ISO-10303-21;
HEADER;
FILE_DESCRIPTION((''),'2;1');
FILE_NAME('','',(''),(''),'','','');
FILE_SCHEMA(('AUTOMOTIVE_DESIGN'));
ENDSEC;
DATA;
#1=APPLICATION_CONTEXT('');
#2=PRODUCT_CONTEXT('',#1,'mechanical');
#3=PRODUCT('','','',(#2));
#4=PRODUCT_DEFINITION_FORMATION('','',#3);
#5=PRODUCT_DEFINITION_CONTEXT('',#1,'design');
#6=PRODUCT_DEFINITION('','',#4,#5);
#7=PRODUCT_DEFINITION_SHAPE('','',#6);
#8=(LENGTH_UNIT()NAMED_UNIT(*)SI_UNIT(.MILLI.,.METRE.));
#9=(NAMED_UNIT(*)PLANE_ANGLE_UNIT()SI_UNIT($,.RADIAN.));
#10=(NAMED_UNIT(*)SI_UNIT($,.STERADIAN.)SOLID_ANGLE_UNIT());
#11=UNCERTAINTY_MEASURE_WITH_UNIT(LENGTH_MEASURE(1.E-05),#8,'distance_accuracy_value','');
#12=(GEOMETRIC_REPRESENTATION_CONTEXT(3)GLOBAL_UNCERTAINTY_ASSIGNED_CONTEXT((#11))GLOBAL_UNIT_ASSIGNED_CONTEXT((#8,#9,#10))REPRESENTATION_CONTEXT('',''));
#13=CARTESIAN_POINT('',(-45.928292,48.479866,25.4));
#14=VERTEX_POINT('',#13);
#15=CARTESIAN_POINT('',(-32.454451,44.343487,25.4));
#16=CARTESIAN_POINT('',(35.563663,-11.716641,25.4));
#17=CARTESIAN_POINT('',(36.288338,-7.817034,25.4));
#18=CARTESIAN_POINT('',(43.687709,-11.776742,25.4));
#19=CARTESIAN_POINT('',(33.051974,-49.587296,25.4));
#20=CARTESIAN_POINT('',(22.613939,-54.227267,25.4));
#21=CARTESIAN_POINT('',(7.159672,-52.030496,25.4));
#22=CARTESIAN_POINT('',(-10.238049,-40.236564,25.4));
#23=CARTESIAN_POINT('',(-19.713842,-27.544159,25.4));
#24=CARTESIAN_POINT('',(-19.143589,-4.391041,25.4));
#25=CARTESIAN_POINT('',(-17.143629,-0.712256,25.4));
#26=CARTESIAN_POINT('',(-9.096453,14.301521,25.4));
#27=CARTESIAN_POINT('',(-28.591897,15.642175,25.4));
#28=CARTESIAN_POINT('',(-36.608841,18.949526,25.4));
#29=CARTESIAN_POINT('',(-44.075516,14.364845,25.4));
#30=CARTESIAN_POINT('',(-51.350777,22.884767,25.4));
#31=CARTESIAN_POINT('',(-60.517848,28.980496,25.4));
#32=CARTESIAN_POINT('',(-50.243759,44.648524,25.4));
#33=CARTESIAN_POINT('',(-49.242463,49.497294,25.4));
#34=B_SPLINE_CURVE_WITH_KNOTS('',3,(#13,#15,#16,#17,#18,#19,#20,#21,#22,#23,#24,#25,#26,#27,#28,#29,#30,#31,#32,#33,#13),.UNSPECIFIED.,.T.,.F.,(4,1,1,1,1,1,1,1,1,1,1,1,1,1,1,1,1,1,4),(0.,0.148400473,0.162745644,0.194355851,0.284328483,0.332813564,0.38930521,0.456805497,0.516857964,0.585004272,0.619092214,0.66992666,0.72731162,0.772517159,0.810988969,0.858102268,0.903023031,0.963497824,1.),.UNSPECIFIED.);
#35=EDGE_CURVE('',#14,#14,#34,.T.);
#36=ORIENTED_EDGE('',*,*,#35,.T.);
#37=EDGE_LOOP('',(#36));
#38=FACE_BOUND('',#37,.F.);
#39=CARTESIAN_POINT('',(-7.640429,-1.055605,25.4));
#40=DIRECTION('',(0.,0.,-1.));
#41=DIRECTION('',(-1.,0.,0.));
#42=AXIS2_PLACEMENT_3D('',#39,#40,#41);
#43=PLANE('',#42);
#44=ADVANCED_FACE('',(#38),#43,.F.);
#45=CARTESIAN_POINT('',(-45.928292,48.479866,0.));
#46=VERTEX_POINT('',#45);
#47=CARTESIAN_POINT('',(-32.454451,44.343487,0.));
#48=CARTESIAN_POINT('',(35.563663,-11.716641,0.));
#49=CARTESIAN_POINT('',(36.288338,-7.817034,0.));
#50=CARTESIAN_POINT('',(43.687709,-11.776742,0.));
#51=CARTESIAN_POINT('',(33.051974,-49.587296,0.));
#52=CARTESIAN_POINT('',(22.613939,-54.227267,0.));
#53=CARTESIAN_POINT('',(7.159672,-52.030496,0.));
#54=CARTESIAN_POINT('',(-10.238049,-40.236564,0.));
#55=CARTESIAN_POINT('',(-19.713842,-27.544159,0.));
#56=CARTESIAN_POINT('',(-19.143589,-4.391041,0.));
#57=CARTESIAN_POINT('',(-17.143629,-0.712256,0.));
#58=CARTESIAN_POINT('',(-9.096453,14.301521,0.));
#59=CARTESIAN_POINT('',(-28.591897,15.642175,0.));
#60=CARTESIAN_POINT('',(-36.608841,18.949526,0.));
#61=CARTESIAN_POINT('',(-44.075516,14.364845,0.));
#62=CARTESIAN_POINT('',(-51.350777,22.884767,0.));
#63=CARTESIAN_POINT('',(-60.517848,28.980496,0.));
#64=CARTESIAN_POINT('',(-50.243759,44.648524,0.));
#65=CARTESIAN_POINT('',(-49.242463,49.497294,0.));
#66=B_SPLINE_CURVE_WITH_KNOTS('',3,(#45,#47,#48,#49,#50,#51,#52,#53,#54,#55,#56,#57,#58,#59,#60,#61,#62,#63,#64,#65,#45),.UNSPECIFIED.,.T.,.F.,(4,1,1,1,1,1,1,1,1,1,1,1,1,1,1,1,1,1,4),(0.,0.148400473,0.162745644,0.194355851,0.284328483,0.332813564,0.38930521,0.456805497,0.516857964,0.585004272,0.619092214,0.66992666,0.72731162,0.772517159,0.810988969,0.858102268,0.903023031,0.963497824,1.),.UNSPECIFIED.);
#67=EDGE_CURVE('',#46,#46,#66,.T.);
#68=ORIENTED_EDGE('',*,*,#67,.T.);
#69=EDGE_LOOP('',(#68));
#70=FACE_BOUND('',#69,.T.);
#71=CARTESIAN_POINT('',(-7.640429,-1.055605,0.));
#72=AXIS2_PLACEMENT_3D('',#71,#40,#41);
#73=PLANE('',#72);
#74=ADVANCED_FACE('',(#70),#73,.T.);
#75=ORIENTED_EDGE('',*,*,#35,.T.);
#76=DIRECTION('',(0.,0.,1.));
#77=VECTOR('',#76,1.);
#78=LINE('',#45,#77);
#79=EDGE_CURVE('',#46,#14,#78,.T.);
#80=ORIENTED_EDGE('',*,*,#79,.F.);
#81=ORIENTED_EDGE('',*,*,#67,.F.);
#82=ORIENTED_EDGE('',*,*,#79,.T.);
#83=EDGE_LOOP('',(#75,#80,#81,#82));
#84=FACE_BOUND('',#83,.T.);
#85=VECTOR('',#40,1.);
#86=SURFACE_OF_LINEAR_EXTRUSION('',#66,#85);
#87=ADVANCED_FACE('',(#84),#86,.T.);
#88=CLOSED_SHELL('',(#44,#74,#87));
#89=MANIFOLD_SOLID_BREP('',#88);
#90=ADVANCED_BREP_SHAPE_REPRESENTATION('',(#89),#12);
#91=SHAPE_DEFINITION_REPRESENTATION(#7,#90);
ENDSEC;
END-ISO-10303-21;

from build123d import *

# Parameters (mm, degrees)
F1_DEPTH = 25.4


with BuildPart() as f1:
    # F0 (on Top) → F1 (new body)
    with BuildSketch(Plane.XY):
        with BuildLine():
            add(Edge.make_bspline(
                [(-45.9282919765, 48.4798662364), (-32.4544507688, 44.3434872669), (35.563662864, -11.7166406334), (36.2883384015, -7.8170344207), (43.6877091721, -11.7767417419), (33.0519738827, -49.5872958577), (22.6139385499, -54.2272673409), (7.1596715664, -52.030496455), (-10.2380488101, -40.2365638518), (-19.7138418145, -27.5441594464), (-19.1435887456, -4.3910413466), (-17.1436288348, -0.7122559938), (-9.0964534163, 14.3015206896), (-28.5918973873, 15.6421749381), (-36.6088412779, 18.9495261198), (-44.0755160077, 14.3648451054), (-51.3507767993, 22.8847668216), (-60.5178480556, 28.980495924), (-50.2437585354, 44.6485244684), (-49.2424628731, 49.4972944952), (-45.9282919765, 48.4798662364)],
                knots=[0, 0, 0, 0, 0.1484004732, 0.1627456444, 0.1943558508, 0.2843284833, 0.3328135645, 0.3893052097, 0.4568054969, 0.5168579645, 0.5850042723, 0.6190922141, 0.6699266603, 0.7273116202, 0.7725171585, 0.8109889694, 0.8581022683, 0.9030230312, 0.9634978235, 1, 1, 1, 1], degree=3))
        make_face()
    extrude(amount=F1_DEPTH)


solid = f1.part
